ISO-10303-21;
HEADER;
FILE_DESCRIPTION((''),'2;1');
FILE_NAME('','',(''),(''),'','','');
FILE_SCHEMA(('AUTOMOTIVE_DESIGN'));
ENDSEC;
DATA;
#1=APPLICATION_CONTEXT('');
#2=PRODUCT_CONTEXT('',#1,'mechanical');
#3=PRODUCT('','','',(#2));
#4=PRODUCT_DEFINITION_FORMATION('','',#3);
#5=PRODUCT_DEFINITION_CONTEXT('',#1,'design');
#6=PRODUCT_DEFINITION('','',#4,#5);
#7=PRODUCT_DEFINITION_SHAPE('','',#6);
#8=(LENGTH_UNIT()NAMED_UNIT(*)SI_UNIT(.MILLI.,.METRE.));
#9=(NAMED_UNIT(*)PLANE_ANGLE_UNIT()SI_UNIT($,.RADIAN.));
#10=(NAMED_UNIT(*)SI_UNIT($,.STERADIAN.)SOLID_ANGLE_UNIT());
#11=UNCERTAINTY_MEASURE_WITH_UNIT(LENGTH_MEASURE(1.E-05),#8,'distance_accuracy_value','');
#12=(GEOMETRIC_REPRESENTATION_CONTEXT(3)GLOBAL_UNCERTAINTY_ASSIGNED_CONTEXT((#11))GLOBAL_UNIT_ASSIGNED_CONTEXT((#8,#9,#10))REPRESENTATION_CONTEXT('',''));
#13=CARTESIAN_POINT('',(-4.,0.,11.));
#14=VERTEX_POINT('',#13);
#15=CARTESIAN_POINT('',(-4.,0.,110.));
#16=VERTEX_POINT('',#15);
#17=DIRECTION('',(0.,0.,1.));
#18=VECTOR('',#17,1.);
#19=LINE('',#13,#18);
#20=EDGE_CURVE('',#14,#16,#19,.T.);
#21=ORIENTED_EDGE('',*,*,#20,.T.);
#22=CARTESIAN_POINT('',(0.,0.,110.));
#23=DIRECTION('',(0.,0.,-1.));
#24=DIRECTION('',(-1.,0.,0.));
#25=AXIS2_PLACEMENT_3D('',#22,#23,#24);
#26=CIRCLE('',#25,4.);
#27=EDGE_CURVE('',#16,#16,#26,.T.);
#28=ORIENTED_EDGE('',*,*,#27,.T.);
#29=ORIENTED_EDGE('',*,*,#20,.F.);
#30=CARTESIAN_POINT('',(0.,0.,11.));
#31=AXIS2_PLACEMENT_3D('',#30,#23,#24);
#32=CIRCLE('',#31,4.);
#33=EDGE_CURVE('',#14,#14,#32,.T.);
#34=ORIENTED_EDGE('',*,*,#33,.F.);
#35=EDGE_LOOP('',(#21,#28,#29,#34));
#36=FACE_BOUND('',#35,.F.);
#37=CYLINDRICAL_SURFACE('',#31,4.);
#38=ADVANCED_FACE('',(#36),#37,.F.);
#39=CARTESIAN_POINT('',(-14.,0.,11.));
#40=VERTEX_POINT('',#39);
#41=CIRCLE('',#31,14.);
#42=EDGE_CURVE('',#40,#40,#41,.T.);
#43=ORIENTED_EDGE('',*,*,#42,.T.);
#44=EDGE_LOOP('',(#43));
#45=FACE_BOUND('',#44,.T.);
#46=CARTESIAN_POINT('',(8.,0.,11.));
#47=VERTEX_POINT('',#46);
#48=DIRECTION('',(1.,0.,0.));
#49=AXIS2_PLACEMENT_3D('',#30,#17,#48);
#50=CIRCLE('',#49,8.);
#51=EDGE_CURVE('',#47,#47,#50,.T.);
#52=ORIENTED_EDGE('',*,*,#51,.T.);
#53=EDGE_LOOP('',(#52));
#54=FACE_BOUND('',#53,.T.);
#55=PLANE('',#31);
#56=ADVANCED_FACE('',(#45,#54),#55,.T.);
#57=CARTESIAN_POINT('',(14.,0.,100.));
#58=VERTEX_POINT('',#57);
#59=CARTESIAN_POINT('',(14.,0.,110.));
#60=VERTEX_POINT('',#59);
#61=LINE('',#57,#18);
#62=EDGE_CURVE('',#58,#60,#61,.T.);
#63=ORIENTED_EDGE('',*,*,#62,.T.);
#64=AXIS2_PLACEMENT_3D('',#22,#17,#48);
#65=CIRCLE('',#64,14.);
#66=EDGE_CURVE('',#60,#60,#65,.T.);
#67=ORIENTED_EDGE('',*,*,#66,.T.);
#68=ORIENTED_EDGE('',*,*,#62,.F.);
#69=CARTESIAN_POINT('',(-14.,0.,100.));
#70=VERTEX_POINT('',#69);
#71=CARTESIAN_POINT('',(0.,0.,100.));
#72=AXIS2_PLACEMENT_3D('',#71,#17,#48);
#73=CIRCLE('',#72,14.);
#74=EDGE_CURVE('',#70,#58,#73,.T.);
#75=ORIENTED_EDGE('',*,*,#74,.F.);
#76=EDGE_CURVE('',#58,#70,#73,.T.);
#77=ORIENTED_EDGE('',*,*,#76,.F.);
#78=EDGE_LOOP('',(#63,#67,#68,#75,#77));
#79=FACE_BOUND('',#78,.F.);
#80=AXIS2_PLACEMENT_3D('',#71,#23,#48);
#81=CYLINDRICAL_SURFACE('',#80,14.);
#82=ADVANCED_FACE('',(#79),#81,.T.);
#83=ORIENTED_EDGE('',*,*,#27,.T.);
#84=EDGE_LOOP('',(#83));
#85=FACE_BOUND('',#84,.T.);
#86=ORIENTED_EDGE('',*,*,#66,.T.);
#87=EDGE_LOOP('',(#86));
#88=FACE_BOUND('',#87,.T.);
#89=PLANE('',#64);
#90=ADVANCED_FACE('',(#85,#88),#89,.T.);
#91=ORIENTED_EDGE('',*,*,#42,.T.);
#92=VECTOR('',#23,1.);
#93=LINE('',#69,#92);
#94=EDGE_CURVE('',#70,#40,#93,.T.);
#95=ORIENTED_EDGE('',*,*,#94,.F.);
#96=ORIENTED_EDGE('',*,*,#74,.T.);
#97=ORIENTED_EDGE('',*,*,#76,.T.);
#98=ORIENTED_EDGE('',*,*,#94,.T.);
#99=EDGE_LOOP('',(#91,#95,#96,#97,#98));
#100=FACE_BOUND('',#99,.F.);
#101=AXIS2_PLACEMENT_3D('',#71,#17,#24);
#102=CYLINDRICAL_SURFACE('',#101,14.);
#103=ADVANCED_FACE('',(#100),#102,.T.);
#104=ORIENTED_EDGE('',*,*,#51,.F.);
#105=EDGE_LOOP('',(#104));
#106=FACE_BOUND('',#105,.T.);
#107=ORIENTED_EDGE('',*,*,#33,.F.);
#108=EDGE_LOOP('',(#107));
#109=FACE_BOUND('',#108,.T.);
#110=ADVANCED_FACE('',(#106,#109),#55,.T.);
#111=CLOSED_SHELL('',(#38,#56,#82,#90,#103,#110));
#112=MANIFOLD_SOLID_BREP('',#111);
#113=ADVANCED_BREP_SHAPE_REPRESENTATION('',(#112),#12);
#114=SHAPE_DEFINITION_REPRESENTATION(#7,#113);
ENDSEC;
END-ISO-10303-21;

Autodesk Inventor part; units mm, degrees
ref_plane "YZ Plane" through (0, 0, 0) normal (1, 0, 0) x (0, 1, 0)
ref_plane "XZ Plane" through (0, 0, 0) normal (0, 1, 0) x (-1, 0, 0)
ref_plane "XY Plane" through (0, 0, 0) normal (0, 0, 1) x (1, 0, 0)
sketch "Sketch1" plane through (0, 0, 0) normal (0, 0, 1) x (1, 0, 0)
  circle A0 centre (0, 0) radius 8
  dimension "d0" = 16
extrude "Extrusion1" add sketch "Sketch1" along normal blind 100
sketch "Sketch2" plane through (0, 0, 100) normal (0, 0, 1) x (1, 0, 0)
  circle A0 centre (0, 0) radius 14
  dimension "d3" = 28
extrude "Extrusion2" add sketch "Sketch2" along normal blind 10
sketch "Sketch3" plane through (0, 0, 0) normal (0, 0, -1) x (-1, 0, 0)
  circle A0 centre (0, 0) radius 8
extrude "Extrusion3" cut sketch "Sketch3" against normal blind 8
sketch "Sketch4" plane through (0, 0, 8) normal (0, 0, -1) x (-1, 0, 0)
  circle A0 centre (0, 0) radius 8
extrude "Extrusion4" cut sketch "Sketch4" against normal blind 3
sketch "Sketch5" plane through (0, 0, 11) normal (0, 0, -1) x (-1, 0, 0)
  point P0 (0, 0)
sketch "Sketch6" plane through (0, 0, 100) normal (0, 0, -1) x (-1, 0, 0)
  circle A0 centre (0, 0) radius 14
extrude "Extrusion5" add sketch "Sketch6" along normal blind 89
sketch "Sketch7" plane through (0, 0, 11) normal (0, 0, -1) x (-1, 0, 0)
  circle A0 centre (0, 0) radius 4
  dimension "d12" = 8
extrude "Extrusion6" cut sketch "Sketch7" against normal blind 100
properties part number "roll"
